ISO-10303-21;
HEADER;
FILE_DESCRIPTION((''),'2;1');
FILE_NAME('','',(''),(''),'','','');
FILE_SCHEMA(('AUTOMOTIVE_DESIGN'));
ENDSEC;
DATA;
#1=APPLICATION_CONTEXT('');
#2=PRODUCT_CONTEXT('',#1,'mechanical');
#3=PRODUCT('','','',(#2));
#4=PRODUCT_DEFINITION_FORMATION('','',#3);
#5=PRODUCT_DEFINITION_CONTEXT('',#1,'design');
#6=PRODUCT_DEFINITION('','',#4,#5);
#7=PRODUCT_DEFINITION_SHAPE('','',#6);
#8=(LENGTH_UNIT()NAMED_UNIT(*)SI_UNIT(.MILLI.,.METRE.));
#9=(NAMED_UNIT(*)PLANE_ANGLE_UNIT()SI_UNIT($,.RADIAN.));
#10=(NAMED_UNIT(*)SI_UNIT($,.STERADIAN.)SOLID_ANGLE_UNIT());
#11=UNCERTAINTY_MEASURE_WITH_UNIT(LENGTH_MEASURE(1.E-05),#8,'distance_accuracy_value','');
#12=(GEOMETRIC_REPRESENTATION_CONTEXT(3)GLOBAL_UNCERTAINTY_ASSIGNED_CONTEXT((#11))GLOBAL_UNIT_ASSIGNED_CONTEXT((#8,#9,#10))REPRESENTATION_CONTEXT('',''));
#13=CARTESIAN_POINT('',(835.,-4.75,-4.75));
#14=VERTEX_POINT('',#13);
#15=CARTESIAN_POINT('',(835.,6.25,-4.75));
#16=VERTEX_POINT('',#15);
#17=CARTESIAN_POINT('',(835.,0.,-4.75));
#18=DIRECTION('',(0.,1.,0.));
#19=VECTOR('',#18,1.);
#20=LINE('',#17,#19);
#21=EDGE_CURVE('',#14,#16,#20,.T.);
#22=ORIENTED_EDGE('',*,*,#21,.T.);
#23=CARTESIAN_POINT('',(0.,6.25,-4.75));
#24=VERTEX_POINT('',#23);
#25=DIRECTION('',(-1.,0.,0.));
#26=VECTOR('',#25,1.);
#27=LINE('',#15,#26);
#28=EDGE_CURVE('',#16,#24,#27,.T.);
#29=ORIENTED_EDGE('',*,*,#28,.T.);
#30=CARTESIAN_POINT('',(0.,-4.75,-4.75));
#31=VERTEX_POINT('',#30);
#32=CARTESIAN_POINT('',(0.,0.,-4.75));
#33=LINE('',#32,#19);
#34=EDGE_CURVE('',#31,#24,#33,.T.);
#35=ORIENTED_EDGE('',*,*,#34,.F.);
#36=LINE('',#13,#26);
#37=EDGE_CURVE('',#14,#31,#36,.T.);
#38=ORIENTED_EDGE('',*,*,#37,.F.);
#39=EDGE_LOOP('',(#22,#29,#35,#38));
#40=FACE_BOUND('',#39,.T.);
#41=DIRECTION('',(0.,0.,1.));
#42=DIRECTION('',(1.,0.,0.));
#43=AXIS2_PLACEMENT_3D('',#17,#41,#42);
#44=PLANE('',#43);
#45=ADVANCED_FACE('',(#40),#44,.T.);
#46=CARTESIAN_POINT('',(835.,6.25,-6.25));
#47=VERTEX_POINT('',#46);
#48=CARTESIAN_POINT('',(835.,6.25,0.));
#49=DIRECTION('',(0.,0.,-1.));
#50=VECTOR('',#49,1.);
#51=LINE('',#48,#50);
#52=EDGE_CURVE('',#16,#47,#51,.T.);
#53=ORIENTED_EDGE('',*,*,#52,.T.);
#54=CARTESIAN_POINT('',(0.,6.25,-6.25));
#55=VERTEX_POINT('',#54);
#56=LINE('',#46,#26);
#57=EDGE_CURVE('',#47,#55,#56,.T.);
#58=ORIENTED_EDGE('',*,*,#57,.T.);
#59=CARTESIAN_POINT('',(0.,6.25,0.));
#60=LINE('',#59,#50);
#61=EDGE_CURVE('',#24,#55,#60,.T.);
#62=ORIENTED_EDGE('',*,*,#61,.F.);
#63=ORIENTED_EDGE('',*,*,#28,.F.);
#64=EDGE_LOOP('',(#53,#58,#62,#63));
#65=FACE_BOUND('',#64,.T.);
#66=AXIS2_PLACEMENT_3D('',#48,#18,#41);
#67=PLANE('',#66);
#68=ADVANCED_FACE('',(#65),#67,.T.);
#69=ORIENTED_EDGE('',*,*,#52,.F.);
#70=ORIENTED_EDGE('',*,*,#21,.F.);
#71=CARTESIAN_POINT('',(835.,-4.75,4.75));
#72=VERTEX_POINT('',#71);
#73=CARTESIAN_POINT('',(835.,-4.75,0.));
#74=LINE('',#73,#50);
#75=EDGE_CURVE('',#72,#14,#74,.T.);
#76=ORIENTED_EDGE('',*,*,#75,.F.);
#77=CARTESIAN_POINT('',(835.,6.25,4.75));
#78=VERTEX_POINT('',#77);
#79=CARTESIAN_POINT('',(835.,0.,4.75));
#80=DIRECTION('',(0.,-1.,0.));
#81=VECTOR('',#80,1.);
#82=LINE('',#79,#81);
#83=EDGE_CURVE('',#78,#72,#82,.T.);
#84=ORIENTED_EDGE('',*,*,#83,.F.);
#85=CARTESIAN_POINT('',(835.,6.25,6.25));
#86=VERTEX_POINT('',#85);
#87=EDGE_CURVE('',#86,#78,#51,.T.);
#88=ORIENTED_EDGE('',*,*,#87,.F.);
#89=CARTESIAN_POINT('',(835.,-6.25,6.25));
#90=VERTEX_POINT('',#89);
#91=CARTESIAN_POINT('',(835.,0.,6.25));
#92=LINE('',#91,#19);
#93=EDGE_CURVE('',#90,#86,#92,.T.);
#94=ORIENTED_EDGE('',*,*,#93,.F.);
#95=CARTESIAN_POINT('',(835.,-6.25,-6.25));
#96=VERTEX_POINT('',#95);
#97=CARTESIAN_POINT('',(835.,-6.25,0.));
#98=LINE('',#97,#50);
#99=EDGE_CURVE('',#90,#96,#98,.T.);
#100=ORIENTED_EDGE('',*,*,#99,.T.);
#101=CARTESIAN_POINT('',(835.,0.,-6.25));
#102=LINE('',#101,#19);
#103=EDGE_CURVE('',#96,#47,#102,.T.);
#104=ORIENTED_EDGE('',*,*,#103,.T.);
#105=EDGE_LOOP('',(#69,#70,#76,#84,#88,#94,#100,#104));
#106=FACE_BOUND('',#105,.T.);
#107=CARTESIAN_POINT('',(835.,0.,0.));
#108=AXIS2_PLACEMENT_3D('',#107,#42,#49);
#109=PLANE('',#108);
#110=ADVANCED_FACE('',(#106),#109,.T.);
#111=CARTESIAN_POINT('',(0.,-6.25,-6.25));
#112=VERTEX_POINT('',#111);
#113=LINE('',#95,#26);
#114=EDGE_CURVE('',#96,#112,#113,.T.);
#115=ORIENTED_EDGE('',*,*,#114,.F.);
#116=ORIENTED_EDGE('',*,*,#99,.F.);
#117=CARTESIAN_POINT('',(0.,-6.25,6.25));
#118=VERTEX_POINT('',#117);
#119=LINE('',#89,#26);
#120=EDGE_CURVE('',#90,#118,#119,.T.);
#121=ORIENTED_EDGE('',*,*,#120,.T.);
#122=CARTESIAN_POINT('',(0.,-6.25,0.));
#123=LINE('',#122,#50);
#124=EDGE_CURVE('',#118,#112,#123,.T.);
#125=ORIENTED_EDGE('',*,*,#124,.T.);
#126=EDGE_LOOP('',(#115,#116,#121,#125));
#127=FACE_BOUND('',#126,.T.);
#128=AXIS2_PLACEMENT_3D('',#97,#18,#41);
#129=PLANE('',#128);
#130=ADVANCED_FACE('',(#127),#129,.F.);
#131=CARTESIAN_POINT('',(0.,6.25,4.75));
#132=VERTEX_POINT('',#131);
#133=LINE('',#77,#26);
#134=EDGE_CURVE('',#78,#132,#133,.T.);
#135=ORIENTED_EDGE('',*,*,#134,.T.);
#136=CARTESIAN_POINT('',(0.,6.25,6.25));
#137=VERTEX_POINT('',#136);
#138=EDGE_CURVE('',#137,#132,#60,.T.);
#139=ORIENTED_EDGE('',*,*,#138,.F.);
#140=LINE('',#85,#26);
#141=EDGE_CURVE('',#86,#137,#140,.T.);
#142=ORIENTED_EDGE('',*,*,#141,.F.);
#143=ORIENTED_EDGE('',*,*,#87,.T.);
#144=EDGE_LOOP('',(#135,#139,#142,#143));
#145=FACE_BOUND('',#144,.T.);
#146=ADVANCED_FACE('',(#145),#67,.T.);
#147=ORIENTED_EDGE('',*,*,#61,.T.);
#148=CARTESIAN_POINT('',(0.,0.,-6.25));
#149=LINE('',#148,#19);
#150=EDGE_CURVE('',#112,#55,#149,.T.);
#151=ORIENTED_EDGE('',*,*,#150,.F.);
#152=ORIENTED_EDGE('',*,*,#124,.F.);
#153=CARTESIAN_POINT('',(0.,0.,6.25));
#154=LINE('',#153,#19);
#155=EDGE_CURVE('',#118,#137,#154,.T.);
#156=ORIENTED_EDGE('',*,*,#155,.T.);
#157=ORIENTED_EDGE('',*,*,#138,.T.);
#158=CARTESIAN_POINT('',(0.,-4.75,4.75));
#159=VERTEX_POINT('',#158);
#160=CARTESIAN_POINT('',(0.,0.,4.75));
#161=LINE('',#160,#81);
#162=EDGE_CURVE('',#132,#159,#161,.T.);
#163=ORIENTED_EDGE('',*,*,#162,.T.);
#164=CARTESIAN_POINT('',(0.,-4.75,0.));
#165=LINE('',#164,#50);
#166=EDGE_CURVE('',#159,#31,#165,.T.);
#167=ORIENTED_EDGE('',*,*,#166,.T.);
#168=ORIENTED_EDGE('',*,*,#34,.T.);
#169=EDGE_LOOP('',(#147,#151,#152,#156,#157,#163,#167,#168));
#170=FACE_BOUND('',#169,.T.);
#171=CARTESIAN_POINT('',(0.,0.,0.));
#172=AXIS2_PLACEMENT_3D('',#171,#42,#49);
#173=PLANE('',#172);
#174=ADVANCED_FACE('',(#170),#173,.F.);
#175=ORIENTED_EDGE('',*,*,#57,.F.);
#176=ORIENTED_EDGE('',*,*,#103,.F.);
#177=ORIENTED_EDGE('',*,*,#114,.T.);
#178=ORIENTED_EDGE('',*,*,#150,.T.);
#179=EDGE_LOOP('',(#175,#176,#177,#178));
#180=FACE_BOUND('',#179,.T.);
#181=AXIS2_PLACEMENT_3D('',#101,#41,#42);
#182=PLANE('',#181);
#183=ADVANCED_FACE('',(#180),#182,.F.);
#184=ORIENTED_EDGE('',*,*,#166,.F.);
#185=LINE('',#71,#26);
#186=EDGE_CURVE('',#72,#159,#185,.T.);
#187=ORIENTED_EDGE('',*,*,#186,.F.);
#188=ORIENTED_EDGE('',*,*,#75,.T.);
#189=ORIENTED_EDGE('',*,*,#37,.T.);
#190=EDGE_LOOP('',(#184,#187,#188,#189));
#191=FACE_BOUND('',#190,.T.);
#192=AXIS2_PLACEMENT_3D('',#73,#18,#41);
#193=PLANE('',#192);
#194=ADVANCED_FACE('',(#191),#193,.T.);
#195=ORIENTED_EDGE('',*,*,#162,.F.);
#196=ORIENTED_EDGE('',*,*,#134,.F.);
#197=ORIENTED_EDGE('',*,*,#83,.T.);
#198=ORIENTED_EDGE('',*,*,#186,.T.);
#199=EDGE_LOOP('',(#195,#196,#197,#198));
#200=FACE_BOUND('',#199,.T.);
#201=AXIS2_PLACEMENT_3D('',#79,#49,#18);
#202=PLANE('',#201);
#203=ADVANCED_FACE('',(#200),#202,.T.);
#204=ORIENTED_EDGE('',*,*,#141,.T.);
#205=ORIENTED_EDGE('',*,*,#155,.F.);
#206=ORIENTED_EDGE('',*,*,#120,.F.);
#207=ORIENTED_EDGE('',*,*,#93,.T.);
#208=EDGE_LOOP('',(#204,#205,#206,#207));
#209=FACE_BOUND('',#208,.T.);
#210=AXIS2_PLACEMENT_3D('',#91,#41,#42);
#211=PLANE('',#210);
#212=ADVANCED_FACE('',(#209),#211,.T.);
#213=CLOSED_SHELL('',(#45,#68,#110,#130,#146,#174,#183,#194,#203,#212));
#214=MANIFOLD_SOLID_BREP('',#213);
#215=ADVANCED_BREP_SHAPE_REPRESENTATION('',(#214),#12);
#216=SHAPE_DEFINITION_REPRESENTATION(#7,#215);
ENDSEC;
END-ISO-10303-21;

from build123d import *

# Parameters (mm, degrees)
SALIENTE_EXTRUIR1_DEPTH = 835


with BuildPart() as part:
    # Croquis1 → Saliente-Extruir1 (new body)
    with BuildSketch(Plane(origin=(0, 0, 0), x_dir=(0, 0, -1), z_dir=(1, 0, 0))):
        Polygon((-6.25, 6.25), (-6.25, -6.25), (6.25, -6.25), (6.25, 6.25), (4.75, 6.25), (4.75, -4.75), (-4.75, -4.75), (-4.75, 6.25), align=None)
    extrude(amount=SALIENTE_EXTRUIR1_DEPTH)


solid = part.part
